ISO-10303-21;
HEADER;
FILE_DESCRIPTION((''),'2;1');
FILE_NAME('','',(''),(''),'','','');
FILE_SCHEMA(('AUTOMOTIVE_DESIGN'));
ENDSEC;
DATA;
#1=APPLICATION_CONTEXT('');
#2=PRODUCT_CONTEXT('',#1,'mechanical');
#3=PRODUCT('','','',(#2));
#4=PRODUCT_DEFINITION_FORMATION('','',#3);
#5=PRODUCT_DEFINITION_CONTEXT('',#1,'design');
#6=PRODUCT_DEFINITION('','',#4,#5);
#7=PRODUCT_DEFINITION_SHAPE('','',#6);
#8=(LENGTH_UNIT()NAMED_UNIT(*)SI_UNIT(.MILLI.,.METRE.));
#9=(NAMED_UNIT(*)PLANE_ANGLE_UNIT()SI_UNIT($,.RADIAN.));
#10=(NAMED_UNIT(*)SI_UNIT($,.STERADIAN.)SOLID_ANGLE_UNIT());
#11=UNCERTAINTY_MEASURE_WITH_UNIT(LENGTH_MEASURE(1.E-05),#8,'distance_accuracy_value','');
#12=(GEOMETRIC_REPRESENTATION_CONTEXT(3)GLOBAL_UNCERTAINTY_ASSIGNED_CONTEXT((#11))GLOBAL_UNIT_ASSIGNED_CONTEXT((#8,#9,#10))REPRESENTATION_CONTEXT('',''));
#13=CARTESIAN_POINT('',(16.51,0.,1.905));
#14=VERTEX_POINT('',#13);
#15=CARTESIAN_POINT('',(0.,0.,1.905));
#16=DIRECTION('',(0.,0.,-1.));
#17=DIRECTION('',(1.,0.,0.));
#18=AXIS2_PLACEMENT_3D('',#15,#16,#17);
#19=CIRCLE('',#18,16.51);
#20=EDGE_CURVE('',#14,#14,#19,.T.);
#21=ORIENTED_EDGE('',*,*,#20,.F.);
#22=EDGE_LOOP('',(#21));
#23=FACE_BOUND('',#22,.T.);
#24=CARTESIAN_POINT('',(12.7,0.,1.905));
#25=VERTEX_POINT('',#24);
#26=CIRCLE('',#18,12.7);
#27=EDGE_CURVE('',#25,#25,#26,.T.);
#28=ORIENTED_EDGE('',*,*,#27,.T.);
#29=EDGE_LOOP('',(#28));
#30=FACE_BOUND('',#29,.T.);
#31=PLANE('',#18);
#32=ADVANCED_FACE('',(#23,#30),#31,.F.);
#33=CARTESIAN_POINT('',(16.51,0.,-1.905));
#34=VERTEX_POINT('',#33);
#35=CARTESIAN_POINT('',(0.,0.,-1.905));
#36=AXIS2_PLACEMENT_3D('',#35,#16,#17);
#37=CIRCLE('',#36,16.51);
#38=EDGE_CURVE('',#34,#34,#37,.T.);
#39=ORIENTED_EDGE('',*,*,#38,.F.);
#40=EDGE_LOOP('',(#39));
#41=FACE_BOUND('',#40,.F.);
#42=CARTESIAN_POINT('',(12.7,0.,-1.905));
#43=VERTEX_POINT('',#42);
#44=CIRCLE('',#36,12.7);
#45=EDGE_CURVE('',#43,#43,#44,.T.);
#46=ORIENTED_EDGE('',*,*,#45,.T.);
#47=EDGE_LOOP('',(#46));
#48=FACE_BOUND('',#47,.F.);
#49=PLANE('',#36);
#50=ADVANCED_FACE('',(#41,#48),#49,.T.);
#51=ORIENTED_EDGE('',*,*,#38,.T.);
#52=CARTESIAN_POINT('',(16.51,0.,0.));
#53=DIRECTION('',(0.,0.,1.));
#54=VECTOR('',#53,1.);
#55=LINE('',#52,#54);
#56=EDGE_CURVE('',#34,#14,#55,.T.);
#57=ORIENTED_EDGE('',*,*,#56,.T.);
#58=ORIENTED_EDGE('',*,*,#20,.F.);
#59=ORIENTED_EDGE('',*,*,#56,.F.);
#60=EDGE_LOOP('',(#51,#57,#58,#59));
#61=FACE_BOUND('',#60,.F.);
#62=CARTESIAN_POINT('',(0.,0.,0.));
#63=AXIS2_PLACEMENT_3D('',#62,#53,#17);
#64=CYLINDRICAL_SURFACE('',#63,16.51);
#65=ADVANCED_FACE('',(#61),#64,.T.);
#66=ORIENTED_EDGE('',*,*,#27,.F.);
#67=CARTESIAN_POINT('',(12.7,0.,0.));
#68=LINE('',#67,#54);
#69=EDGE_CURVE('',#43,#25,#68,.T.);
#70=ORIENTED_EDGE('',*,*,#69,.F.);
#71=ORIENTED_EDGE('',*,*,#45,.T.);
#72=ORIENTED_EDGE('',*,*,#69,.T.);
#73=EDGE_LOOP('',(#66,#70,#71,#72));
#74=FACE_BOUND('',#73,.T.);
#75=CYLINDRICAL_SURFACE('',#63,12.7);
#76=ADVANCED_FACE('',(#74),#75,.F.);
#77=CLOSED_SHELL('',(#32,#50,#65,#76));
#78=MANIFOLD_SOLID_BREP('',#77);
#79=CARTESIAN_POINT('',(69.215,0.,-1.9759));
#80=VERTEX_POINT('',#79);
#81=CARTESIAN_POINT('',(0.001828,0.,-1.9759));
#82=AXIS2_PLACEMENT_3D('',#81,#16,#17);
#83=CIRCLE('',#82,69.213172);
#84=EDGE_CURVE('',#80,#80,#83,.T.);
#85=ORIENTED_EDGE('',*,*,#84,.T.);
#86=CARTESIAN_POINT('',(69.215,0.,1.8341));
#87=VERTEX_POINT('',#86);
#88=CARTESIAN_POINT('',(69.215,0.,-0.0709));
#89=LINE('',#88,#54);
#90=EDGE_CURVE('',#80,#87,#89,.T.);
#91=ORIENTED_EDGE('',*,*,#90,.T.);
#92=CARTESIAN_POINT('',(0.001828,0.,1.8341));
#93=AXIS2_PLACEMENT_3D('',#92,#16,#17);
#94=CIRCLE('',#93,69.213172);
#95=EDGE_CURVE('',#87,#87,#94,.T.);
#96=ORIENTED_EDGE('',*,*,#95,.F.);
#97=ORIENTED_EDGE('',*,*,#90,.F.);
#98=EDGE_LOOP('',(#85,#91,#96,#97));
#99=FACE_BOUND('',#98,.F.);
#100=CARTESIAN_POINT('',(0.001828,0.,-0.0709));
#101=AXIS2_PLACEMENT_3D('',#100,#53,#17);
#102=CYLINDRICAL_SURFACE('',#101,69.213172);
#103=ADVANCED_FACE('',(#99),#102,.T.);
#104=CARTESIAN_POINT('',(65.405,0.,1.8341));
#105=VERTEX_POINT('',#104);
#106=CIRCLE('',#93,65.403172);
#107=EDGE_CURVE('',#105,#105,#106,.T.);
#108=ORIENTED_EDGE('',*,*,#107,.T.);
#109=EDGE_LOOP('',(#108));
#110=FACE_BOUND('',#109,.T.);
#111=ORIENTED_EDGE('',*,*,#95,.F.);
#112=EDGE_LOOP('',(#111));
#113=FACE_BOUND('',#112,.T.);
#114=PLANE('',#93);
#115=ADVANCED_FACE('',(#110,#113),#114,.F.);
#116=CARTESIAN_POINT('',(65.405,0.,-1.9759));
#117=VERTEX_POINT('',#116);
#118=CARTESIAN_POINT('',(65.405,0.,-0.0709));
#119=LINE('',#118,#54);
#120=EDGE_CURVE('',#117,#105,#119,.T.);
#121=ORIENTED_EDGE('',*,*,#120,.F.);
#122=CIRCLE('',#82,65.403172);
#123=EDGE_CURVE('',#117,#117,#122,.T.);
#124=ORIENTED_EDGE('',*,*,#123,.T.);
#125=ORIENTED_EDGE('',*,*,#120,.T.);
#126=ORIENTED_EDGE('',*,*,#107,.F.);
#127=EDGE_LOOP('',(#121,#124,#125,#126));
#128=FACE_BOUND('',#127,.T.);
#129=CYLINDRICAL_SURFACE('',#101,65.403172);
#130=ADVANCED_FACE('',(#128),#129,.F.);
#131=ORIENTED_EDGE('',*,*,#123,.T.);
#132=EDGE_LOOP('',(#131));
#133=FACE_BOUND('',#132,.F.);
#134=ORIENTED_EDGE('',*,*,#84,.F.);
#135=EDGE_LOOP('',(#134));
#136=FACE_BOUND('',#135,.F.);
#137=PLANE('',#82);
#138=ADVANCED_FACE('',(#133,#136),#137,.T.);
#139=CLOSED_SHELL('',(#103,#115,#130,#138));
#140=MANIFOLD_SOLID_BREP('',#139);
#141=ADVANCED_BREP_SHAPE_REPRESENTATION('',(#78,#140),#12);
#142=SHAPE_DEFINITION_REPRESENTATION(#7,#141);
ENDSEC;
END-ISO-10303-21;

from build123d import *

# Parameters (mm, degrees)
F0_W = 3.81
F0_H = 3.81
F2_W = 3.81
F2_H = 3.81


with BuildPart() as f1:
    # F0 (on Front) → F1 (revolve)
    with BuildSketch(Plane.XZ):
        with Locations((14.605, 0)):
            Rectangle(F0_W, F0_H)
    revolve(axis=Axis((0, 0, 0.425403), (0, 0, -1)))


with BuildPart() as f3:
    # F2 (on Front) → F3 (revolve)
    with BuildSketch(Plane.XZ):
        with Locations((67.31, -0.0709)):
            Rectangle(F2_W, F2_H)
    revolve(axis=Axis((0.001828, 0, 0.354502), (0, 0, -1)))


solid = Compound([f1.part, f3.part])
